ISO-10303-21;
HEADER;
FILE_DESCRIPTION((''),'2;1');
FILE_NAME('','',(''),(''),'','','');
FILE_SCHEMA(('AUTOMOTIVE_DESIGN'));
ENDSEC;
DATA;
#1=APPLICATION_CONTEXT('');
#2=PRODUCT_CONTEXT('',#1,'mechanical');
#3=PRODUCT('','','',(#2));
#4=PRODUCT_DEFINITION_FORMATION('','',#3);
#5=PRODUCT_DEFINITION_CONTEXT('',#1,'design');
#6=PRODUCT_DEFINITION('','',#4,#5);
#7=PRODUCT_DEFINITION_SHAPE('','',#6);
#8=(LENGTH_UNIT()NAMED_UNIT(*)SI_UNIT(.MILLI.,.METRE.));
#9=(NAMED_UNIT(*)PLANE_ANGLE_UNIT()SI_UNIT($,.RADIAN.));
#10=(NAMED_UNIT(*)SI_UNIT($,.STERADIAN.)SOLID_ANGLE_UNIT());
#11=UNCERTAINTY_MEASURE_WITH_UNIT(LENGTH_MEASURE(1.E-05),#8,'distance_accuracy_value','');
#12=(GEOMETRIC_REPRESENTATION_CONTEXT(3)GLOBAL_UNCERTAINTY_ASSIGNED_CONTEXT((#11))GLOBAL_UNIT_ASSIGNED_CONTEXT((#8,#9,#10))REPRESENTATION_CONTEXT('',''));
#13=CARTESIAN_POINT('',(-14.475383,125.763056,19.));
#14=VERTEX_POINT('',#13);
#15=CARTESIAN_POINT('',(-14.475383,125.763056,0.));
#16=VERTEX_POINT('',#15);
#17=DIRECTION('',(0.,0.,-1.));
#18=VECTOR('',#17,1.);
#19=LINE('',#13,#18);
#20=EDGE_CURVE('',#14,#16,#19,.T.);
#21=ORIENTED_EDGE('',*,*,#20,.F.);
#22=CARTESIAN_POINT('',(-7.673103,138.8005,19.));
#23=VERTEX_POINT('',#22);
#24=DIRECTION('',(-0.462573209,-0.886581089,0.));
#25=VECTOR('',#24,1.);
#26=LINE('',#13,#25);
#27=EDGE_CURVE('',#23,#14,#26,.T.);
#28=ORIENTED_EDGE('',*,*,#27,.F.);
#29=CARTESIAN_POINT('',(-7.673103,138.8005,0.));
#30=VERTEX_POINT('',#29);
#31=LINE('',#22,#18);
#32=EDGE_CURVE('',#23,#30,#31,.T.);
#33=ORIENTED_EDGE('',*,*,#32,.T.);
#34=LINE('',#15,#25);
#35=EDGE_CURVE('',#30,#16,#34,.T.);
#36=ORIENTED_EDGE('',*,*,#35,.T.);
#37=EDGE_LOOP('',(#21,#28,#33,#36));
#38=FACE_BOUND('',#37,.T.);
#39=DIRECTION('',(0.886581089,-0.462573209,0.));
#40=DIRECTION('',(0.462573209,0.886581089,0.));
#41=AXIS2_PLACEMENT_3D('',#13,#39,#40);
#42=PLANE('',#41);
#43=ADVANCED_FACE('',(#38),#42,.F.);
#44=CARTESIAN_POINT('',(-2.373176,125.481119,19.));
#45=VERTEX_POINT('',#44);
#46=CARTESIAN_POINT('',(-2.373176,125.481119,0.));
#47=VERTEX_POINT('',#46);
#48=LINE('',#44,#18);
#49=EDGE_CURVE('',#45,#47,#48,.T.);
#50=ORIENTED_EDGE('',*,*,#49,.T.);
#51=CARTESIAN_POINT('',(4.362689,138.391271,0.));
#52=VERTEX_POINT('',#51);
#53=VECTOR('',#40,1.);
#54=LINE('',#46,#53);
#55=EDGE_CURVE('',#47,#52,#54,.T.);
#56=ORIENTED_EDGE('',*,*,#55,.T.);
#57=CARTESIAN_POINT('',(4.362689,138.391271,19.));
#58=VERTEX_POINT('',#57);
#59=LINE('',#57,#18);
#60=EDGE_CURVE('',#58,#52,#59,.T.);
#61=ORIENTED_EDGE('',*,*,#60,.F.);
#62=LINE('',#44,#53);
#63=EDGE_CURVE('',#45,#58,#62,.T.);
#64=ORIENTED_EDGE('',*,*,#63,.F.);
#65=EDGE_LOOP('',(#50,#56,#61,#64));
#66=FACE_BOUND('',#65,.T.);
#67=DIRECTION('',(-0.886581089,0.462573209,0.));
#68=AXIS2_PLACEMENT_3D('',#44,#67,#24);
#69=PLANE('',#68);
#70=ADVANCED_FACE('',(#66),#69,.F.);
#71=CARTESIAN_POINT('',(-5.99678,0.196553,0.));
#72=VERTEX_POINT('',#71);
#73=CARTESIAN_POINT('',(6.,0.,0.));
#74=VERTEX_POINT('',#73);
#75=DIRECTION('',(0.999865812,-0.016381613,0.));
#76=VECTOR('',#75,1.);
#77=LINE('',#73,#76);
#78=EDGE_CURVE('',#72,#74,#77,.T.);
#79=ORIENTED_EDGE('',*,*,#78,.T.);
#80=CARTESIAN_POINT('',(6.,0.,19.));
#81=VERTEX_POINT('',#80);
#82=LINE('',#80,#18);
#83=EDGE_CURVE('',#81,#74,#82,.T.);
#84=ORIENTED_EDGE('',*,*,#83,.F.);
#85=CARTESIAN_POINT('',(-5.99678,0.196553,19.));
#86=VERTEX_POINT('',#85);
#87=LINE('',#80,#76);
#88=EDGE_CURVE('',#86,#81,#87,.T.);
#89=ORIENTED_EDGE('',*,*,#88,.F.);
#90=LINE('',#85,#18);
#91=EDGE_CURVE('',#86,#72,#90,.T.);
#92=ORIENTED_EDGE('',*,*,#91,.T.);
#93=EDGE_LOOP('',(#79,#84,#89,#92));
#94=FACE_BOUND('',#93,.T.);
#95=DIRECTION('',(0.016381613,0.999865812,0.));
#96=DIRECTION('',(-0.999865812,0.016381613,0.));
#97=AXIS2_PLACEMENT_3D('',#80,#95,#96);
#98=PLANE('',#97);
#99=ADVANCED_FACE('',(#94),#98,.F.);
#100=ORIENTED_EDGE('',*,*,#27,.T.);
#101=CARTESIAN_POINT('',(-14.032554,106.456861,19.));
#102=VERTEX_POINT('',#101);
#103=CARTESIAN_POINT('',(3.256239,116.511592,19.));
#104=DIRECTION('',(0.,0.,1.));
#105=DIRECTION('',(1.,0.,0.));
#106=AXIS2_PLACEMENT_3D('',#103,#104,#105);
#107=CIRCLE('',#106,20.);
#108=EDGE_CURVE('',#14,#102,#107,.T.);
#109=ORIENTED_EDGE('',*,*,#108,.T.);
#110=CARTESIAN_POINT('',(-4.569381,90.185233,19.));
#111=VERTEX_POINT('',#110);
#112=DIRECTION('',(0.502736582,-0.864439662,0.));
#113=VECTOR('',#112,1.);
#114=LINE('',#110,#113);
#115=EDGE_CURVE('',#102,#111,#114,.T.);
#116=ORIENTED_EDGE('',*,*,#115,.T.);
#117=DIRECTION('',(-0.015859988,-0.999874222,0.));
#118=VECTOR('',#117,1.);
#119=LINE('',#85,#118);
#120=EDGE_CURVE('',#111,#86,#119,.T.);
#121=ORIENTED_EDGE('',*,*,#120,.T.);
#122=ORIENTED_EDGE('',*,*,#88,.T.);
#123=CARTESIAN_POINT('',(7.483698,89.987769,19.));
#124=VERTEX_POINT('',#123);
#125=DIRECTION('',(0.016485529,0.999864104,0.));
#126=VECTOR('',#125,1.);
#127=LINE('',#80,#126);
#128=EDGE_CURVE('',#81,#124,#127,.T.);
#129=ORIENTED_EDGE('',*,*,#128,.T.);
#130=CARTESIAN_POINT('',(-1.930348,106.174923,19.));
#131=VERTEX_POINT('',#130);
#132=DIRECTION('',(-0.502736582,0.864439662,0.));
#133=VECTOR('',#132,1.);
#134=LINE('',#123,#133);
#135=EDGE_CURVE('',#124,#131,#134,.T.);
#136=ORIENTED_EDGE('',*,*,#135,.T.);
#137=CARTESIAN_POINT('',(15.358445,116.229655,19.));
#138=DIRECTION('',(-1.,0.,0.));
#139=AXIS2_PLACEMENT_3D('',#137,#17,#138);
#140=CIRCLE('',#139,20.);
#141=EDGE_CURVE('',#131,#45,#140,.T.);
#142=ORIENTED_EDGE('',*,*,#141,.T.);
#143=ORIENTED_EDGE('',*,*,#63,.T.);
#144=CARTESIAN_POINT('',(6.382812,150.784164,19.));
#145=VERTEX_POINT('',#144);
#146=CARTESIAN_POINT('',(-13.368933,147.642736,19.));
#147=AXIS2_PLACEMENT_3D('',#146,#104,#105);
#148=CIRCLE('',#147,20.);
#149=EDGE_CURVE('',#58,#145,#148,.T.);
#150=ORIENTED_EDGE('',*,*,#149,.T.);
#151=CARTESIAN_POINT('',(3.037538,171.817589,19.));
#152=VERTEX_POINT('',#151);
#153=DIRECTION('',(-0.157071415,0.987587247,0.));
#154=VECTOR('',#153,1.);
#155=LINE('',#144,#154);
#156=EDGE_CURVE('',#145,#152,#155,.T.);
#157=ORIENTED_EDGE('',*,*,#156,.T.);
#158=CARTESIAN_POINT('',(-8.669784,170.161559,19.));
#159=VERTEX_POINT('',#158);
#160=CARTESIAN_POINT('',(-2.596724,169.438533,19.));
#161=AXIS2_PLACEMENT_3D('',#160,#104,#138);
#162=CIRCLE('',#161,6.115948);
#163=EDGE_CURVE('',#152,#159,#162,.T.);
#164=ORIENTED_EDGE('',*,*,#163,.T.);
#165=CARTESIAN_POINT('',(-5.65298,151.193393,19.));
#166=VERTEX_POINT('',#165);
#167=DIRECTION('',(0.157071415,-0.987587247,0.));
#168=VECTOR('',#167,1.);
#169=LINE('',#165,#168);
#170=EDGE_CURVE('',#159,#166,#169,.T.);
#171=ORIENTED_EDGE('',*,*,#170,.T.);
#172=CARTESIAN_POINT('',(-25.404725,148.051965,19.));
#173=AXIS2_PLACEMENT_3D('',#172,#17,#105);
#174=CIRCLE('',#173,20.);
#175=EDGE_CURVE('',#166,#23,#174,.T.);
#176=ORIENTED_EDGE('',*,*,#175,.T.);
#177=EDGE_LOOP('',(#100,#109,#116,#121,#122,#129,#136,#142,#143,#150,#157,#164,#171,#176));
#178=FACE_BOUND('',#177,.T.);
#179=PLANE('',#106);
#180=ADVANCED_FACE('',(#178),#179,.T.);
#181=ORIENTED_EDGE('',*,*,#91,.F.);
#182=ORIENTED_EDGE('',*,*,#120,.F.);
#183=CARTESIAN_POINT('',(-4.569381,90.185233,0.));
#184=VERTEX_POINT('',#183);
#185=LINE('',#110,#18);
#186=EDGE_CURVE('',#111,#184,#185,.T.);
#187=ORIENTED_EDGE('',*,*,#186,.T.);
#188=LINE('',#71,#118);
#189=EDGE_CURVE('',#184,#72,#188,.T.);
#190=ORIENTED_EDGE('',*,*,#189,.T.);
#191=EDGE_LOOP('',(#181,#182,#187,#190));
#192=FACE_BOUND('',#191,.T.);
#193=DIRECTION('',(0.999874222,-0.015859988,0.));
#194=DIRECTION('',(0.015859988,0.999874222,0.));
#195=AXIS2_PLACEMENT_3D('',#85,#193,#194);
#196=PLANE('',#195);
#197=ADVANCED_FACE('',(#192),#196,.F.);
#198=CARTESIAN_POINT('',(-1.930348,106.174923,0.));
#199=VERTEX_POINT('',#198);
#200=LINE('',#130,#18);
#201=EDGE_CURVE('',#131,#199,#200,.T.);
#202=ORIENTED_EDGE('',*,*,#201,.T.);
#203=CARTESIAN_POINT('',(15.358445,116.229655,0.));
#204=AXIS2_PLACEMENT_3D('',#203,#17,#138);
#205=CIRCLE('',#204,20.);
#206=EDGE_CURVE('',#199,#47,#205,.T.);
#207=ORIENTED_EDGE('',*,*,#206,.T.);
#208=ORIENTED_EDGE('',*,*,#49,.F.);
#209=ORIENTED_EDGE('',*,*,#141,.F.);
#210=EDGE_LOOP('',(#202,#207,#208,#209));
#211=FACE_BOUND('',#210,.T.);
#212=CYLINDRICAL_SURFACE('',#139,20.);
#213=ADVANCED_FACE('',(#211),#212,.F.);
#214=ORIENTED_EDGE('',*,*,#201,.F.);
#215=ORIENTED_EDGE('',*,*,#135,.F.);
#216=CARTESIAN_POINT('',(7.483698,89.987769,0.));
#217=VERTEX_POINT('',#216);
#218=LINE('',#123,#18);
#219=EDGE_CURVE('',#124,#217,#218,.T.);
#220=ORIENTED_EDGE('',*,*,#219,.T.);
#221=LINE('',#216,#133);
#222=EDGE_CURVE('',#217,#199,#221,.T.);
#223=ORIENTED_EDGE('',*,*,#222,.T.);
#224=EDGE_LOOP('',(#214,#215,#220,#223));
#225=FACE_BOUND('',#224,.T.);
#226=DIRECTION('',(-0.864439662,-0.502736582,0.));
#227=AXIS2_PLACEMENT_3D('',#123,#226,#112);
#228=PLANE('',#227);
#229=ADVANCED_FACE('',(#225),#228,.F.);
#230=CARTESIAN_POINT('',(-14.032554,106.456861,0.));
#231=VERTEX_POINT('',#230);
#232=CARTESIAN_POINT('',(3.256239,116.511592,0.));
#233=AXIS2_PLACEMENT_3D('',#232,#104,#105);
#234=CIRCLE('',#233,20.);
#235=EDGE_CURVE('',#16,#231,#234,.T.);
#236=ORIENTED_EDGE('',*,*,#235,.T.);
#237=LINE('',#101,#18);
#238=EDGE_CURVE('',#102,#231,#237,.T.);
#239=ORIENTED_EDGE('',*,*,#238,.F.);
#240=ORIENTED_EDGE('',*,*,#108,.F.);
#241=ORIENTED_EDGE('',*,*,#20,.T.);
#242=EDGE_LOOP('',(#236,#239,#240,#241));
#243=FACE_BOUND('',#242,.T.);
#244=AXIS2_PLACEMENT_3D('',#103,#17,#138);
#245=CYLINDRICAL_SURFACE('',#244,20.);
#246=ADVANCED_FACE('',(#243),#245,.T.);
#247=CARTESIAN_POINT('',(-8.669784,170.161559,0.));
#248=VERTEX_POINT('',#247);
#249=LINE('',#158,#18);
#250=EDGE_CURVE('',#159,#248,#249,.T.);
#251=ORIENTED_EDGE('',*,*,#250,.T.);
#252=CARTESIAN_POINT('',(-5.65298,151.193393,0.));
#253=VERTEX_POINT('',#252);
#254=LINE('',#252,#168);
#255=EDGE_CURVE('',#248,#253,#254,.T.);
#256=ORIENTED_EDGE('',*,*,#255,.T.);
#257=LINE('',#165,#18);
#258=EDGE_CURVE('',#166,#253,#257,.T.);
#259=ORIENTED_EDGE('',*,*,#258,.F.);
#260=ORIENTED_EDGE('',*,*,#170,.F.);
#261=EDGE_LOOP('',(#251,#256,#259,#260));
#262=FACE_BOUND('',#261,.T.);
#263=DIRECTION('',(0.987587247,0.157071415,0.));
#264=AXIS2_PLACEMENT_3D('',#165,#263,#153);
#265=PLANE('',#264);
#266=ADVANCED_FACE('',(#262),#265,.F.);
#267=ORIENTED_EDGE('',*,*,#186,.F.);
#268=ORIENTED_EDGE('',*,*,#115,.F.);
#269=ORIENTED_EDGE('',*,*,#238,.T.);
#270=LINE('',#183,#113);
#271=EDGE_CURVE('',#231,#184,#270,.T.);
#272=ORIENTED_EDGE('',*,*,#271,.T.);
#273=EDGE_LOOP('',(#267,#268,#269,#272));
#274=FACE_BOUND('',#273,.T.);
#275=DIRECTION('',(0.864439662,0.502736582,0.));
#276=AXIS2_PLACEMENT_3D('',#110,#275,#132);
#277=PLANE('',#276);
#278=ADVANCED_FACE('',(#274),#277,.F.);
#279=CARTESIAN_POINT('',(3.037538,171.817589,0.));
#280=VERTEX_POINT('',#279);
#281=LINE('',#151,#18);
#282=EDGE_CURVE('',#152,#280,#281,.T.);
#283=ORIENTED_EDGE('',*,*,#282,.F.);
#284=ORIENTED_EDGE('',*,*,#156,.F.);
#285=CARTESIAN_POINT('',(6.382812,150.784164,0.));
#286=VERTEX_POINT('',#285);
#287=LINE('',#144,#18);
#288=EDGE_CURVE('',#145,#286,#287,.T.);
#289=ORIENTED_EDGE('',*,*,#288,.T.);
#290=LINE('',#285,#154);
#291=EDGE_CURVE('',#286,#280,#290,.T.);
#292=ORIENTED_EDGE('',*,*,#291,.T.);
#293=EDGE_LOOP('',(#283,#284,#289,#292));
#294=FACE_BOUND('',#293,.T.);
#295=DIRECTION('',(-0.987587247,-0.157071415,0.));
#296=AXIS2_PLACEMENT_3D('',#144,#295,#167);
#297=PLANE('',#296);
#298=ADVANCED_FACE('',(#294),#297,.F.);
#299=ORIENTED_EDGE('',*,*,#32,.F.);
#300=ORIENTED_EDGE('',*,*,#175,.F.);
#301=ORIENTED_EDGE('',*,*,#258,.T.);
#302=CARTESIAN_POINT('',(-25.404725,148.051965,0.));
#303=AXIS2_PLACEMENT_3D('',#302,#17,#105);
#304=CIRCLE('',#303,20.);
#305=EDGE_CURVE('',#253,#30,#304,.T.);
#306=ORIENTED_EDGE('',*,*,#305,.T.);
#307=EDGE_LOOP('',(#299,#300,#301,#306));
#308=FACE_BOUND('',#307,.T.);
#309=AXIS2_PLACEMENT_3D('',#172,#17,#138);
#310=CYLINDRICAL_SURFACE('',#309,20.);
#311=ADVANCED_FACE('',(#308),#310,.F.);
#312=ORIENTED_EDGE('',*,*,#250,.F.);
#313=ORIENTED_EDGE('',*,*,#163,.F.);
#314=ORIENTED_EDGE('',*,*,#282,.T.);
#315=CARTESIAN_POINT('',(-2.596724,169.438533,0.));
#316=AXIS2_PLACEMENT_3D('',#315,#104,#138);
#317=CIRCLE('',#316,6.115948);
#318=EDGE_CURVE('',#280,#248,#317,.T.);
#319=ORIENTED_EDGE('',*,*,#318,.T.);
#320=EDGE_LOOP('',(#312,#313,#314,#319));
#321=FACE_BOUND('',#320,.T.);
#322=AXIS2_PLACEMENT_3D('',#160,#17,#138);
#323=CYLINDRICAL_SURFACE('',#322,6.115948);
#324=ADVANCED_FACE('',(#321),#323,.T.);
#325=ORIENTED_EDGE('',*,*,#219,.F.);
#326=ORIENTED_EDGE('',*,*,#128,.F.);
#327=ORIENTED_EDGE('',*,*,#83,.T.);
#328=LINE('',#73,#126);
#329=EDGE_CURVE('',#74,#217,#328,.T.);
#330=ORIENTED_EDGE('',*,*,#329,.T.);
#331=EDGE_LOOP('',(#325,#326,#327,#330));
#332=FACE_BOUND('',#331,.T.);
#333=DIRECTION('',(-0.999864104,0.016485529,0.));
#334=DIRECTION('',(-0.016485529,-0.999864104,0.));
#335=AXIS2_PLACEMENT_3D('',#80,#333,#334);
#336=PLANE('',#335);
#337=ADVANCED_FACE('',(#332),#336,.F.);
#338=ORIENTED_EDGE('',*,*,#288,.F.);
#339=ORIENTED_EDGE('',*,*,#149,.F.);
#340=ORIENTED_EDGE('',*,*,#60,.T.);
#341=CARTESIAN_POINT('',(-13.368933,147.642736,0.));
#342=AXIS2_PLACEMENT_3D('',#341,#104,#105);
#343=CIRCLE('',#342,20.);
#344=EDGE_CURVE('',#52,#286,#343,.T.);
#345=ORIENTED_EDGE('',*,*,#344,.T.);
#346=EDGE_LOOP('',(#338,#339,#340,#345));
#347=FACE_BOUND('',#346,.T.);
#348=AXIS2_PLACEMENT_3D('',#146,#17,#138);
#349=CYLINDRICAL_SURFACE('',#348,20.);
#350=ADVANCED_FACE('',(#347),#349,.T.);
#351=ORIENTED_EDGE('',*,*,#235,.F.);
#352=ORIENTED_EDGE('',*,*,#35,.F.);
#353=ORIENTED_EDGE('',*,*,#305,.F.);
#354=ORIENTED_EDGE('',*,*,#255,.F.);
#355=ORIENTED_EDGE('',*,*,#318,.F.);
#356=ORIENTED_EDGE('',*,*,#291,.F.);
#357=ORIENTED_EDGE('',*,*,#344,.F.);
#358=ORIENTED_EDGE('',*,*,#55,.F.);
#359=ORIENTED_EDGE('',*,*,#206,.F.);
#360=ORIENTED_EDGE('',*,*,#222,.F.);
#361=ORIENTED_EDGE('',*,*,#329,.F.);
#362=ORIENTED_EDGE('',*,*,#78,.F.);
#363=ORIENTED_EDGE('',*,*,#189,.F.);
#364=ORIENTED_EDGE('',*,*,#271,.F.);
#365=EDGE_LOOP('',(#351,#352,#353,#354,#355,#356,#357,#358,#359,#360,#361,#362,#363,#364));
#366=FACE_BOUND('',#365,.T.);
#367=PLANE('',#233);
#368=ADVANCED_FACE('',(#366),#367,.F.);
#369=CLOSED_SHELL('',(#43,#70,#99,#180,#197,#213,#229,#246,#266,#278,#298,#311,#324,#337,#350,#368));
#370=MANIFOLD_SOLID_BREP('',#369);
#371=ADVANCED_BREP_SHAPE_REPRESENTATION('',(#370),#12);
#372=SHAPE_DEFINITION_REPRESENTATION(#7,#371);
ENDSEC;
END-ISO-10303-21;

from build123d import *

# Parameters (mm, degrees)
EXTRUDE_1_DEPTH = 19


with BuildPart() as part:
    # Эскиз1 → Вытянуть1 (new body)
    with BuildSketch(Plane.XY):
        with BuildLine():
            Line((-5.996779713, 0.196552972), (-4.569380805, 90.185232995))
            Line((-4.569380805, 90.185232995), (-14.032554186, 106.456860521))
            ThreePointArc((-14.032554186, 106.456860521), (-16.738501903, 116.052970381), (-14.475382715, 125.763056325))
            Line((-14.475382715, 125.763056325), (-7.67310326, 138.800500371))
            ThreePointArc((-7.67310326, 138.800500371), (-5.665255915, 144.834300954), (-5.652980092, 151.193392849))
            Line((-5.652980092, 151.193392849), (-8.669783562, 170.161558564))
            ThreePointArc((-8.669783562, 170.161558564), (-3.453313414, 175.494197645), (3.037538011, 171.817589403))
            Line((3.037538011, 171.817589403), (6.382811975, 150.78416394))
            ThreePointArc((6.382811975, 150.78416394), (6.370536152, 144.425072045), (4.362688807, 138.391271463))
            Line((4.362688807, 138.391271463), (-2.373176384, 125.481118902))
            ThreePointArc((-2.373176384, 125.481118902), (-4.636295572, 115.771032958), (-1.930347854, 106.174923097))
            Line((-1.930347854, 106.174923097), (7.483697652, 89.987769398))
            Line((7.483697652, 89.987769398), (6, 0))
            Line((6, 0), (-5.996779713, 0.196552972))
        make_face()
    extrude(amount=EXTRUDE_1_DEPTH)


solid = part.part
